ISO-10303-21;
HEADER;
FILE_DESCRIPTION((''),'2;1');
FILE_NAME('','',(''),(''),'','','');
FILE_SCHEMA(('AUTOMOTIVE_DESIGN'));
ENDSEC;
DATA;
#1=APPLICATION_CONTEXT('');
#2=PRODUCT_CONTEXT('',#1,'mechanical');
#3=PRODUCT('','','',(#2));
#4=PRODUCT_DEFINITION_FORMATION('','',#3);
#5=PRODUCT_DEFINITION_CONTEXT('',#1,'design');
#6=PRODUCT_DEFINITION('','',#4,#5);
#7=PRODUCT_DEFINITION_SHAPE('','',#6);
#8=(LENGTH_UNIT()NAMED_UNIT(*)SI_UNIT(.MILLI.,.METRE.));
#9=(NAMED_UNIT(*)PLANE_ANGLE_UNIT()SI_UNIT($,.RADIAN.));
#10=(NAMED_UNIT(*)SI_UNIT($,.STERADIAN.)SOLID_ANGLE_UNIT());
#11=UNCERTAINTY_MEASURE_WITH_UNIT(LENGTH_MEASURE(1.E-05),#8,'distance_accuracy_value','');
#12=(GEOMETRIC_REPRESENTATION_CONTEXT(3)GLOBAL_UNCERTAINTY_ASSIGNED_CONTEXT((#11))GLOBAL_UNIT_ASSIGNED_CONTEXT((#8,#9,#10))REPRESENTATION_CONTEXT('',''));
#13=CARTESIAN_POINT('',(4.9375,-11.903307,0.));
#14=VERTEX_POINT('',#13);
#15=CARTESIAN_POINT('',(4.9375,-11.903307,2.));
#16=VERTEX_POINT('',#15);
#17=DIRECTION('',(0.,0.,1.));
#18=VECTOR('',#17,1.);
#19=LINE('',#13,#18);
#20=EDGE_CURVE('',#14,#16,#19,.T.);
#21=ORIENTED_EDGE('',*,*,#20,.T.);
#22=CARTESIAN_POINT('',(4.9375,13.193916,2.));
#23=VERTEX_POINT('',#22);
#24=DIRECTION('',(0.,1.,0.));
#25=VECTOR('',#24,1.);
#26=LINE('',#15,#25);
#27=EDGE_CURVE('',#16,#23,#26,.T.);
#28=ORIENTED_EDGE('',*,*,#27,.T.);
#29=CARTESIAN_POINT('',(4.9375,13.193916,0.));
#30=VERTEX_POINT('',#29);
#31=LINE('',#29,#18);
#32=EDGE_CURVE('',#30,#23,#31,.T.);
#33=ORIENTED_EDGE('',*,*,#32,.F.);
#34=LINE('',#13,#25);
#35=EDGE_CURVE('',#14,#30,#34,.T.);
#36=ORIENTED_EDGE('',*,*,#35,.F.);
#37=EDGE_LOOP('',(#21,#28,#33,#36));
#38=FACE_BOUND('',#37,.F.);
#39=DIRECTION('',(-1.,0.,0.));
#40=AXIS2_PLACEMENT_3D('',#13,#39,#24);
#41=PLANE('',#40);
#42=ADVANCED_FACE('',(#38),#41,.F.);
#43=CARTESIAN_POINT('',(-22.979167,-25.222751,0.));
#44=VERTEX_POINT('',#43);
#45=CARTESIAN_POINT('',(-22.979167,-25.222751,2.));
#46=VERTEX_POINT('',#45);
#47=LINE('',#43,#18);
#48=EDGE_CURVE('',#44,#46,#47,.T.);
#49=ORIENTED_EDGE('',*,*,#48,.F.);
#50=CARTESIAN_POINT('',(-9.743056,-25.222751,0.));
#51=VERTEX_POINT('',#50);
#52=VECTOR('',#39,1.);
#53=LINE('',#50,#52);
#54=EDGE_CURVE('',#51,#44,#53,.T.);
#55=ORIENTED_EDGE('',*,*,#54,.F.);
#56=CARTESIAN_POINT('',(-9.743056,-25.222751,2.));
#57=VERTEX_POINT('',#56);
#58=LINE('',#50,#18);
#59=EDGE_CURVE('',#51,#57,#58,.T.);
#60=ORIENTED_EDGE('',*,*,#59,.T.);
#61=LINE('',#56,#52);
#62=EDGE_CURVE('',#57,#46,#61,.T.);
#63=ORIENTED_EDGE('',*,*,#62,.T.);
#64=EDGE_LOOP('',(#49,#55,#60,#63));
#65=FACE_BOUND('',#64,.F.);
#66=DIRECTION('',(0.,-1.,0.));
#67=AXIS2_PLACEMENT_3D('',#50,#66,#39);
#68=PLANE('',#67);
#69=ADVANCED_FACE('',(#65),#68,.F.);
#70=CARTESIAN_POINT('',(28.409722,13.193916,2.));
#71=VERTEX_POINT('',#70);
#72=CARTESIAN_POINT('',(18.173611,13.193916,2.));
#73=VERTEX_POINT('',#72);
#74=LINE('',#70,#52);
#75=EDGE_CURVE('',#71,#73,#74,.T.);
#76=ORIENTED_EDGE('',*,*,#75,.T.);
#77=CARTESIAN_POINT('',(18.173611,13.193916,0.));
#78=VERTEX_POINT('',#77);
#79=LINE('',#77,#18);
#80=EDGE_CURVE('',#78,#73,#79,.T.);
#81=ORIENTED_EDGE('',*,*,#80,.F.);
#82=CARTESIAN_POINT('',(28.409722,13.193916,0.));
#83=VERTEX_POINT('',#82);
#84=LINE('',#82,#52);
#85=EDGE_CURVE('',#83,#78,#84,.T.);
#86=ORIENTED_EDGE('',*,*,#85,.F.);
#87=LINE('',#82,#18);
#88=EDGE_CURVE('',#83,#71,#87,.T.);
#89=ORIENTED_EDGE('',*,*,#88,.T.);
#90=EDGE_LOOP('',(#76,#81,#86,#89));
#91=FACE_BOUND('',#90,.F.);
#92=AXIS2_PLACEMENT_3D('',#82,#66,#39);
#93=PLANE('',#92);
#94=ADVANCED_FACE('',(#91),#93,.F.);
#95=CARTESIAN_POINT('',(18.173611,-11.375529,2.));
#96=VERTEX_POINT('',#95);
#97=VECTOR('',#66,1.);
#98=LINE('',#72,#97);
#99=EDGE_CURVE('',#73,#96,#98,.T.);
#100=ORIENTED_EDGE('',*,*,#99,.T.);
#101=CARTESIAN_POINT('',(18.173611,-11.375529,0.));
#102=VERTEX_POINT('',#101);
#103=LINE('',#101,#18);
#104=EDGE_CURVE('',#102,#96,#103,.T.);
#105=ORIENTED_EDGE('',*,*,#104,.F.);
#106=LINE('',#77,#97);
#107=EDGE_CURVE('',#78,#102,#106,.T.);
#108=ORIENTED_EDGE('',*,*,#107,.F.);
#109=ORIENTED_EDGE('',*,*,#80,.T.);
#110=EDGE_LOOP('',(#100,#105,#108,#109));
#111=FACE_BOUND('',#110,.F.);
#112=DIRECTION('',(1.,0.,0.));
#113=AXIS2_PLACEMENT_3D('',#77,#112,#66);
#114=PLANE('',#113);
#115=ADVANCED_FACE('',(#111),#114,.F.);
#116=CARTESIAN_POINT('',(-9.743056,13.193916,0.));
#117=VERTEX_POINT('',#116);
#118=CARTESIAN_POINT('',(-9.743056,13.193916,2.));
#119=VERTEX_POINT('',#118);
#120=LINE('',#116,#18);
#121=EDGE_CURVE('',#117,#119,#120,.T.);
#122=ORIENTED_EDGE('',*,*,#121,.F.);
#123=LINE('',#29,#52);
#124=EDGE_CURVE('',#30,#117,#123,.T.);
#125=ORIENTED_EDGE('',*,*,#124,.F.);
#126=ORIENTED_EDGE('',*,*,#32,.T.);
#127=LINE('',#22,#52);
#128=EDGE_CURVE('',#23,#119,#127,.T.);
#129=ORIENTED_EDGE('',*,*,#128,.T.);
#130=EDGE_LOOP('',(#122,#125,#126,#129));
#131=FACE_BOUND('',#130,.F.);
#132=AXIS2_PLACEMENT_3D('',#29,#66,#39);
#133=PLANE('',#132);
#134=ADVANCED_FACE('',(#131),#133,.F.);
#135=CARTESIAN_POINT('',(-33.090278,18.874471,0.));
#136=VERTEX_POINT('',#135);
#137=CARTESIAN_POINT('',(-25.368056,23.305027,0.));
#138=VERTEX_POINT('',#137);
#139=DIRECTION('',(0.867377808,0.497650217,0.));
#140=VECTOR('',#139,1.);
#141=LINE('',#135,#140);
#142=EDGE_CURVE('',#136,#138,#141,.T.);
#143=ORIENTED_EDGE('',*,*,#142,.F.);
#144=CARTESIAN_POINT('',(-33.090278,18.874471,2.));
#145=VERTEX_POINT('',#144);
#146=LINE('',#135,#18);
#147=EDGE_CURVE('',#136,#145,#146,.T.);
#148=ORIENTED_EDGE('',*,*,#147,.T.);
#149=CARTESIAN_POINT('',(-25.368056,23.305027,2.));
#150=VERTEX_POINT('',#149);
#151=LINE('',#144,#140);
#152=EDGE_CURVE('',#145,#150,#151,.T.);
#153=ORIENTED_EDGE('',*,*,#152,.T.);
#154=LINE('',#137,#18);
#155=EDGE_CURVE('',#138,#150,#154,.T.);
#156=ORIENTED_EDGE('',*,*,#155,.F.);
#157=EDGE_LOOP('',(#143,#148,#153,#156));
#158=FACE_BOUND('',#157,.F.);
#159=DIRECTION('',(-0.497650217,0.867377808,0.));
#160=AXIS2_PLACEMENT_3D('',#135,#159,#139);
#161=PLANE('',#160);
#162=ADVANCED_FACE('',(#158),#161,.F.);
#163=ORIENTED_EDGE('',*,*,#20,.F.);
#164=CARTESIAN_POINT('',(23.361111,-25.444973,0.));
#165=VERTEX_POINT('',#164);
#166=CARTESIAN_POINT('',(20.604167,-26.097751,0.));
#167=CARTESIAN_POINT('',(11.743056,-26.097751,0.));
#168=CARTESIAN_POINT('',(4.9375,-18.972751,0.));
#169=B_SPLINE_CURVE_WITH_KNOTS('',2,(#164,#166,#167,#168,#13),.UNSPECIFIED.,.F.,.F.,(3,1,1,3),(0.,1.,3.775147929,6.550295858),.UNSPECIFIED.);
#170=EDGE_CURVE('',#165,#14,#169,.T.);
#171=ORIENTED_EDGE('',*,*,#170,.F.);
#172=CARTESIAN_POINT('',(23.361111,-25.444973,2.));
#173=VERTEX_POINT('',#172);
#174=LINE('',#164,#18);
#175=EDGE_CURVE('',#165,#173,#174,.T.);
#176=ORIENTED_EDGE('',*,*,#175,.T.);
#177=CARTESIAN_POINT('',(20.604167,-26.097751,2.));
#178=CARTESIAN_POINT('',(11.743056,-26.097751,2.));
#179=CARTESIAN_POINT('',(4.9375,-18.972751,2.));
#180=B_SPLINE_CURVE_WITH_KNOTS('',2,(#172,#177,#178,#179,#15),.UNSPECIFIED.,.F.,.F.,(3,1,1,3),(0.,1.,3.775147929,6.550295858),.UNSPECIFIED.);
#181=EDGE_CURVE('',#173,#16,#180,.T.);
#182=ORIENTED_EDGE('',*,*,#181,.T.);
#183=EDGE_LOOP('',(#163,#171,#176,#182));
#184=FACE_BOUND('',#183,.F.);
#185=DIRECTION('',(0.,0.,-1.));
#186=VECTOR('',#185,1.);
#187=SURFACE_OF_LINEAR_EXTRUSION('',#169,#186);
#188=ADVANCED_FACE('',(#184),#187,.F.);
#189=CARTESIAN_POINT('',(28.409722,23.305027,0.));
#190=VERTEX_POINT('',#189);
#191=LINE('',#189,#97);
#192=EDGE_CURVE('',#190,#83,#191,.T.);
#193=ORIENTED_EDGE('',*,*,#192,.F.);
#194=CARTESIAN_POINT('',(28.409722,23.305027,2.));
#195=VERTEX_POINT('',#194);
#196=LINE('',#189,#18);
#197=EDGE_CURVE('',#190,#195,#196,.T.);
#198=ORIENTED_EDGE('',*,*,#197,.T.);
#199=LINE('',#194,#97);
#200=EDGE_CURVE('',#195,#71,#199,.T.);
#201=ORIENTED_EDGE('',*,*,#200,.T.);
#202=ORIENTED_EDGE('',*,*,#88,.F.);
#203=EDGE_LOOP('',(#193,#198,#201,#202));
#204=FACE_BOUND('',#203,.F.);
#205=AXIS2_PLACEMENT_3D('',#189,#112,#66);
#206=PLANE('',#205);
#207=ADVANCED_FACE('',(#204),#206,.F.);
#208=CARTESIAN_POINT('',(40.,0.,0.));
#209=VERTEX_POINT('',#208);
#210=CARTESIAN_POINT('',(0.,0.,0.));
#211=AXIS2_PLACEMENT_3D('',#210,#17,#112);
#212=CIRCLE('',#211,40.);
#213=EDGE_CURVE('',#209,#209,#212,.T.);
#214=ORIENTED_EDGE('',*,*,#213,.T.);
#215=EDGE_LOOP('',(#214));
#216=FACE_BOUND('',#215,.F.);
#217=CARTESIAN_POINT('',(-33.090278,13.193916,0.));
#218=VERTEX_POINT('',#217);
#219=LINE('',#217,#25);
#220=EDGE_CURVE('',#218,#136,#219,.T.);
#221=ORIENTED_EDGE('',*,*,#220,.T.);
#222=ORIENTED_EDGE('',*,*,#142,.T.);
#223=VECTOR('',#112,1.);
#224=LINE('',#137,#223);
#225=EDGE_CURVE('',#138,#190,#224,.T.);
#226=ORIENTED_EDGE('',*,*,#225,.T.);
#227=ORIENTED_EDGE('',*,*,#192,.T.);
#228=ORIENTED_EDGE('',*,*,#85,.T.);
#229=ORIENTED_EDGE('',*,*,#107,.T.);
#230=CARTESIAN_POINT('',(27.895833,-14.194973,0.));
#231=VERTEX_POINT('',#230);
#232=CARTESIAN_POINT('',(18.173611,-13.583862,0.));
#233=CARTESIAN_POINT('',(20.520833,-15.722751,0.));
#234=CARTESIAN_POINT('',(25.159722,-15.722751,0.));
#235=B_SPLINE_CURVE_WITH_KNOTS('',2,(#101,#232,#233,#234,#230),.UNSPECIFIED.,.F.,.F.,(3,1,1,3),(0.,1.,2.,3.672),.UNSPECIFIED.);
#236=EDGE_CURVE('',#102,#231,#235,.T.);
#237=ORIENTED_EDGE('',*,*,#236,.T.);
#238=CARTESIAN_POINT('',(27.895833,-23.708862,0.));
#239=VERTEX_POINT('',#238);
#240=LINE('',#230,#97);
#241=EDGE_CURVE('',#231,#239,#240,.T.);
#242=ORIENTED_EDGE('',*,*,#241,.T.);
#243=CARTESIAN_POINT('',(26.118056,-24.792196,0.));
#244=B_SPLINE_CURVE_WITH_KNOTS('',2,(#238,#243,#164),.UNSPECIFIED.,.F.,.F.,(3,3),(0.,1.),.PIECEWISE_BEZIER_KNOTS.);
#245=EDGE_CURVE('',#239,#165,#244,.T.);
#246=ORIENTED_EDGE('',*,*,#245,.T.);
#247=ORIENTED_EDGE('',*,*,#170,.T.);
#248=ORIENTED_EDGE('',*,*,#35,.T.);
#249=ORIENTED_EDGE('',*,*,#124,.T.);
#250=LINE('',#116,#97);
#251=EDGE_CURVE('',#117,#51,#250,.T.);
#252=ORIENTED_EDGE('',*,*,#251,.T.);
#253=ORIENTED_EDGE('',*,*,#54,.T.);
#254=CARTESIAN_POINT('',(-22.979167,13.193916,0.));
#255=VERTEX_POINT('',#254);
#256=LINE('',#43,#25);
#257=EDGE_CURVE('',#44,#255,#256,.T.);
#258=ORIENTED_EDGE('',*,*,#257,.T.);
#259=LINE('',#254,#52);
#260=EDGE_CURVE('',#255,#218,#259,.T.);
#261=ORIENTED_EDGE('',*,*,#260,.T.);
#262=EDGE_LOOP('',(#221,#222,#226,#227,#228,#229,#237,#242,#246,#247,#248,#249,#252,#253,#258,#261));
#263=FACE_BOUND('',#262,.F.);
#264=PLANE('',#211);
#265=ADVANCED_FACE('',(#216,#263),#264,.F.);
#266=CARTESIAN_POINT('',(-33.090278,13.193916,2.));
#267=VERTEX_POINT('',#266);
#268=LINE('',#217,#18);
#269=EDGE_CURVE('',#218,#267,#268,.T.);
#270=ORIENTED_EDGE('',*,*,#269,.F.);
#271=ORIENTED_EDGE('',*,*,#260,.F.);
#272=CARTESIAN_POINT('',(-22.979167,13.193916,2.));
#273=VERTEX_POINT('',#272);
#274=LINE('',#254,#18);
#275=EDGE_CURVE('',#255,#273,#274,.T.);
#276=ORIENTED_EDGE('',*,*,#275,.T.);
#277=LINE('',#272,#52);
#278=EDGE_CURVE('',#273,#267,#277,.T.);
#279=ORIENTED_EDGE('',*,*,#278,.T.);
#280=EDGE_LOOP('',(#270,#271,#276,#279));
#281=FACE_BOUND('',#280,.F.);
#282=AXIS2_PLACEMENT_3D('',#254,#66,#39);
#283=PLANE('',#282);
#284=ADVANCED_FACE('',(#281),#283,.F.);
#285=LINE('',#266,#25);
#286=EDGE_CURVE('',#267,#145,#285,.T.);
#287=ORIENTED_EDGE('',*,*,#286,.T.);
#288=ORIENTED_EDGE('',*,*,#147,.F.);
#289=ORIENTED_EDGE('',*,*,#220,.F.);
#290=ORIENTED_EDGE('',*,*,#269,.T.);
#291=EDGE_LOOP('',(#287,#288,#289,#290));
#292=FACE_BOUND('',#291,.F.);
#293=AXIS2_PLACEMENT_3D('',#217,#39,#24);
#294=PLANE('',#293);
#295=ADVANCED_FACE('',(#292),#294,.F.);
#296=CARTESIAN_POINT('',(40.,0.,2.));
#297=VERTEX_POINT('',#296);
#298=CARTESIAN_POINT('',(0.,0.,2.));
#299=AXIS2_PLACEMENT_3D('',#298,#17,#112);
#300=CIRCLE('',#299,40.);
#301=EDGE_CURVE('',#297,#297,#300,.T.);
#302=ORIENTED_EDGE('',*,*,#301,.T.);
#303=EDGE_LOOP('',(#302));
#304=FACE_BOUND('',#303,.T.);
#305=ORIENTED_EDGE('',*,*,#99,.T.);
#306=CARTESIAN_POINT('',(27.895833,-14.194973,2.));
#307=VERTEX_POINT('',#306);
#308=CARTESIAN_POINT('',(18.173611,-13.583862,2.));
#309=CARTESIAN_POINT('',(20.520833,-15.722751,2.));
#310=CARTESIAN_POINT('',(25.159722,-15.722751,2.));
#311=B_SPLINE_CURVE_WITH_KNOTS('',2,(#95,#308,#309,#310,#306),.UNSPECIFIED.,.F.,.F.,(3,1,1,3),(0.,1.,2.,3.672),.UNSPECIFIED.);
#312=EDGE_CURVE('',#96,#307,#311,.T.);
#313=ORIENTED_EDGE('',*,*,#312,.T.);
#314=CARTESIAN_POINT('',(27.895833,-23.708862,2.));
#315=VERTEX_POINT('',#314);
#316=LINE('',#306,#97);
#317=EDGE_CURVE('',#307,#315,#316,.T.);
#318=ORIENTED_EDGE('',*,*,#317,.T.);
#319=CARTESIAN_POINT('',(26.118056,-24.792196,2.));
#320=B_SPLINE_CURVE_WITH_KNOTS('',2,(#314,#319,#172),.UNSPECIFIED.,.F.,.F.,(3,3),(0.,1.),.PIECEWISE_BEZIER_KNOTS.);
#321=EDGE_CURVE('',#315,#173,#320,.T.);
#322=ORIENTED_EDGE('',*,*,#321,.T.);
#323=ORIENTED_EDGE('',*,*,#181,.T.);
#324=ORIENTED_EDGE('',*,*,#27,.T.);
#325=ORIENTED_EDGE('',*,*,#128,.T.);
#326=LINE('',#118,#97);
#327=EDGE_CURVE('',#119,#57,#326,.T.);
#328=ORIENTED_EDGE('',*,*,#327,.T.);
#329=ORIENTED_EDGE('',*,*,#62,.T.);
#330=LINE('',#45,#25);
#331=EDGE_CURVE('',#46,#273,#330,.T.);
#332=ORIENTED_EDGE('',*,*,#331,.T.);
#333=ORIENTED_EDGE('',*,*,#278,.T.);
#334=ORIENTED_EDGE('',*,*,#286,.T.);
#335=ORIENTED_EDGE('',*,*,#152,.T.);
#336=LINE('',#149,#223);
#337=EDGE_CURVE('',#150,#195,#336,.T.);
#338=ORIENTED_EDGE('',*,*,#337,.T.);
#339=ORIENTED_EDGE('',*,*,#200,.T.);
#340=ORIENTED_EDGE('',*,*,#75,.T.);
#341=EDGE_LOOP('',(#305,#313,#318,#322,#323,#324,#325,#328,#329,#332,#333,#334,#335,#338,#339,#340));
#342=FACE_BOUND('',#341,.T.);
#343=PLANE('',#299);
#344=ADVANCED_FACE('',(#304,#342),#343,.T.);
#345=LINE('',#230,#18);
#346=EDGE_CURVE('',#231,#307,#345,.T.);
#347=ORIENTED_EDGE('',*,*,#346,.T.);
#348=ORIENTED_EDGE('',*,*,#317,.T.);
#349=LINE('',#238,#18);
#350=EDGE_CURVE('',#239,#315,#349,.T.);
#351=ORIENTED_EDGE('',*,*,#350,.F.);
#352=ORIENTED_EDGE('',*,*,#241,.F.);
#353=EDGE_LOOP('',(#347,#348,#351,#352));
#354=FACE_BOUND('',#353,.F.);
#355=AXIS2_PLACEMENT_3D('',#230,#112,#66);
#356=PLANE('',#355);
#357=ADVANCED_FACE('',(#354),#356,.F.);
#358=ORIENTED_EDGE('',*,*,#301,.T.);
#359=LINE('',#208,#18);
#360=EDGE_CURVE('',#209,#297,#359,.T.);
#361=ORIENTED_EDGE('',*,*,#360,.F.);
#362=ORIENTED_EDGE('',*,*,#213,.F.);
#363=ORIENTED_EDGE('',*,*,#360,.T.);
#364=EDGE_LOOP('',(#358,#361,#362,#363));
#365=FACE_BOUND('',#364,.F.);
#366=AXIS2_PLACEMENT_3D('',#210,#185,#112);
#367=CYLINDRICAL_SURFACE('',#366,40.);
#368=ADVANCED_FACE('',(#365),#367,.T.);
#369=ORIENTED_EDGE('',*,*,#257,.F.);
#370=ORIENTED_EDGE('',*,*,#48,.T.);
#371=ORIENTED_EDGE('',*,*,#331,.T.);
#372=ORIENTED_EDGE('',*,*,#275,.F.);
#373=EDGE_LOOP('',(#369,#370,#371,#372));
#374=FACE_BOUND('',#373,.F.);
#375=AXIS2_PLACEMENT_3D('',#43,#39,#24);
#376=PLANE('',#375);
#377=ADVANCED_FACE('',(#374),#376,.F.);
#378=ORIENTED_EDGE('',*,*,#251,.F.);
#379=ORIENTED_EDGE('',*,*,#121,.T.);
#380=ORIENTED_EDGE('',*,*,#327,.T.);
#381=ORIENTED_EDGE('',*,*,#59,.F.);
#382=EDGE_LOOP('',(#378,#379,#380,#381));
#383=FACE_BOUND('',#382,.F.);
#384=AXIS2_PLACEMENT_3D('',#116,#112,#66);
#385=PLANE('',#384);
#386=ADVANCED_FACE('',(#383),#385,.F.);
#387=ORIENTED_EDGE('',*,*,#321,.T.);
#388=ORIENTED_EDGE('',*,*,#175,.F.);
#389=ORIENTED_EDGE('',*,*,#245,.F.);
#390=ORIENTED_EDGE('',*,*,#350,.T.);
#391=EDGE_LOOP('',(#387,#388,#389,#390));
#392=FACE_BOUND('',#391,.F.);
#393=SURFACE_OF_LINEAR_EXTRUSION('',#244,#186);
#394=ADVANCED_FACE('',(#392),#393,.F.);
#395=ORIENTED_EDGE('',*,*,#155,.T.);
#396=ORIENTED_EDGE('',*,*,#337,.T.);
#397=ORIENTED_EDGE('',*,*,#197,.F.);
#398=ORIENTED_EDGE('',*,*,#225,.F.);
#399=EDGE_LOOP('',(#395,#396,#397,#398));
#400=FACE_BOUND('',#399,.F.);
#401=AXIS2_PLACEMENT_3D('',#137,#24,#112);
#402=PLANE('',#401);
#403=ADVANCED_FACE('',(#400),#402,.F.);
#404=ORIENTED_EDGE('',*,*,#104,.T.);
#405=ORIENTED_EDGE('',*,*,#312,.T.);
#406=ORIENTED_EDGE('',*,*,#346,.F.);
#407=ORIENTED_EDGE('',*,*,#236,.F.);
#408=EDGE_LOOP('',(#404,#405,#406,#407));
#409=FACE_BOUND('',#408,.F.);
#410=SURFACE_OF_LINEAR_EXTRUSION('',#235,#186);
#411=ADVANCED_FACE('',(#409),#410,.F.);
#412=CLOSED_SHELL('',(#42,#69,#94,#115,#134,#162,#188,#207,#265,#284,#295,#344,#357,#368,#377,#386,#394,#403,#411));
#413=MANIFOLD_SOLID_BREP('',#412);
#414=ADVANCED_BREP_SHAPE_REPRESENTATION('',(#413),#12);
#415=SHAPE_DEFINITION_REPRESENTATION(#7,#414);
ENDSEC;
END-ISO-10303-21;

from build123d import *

# Parameters (mm, degrees)
F0_R     = 40
F1_DEPTH = 2


with BuildPart() as f1:
    # F0 (on Top) → F1 (new body)
    with BuildSketch(Plane.XY):
        Circle(F0_R)
        with BuildLine():
            add(Edge.make_bspline(
                [(19.3472222222, -14.6533066589), (20.5208333333, -15.7227511033), (22.2569444444, -15.7227511033)],
                knots=[0, 0, 0, 1, 1, 1], degree=2))
            add(Edge.make_bspline(
                [(22.2569444444, -15.7227511033), (25.1597222222, -15.7227511033), (27.8958333333, -14.1949733256)],
                knots=[0, 0, 0, 1, 1, 1], degree=2))
            Line((27.8958333333, -14.1949733256), (27.8958333333, -23.7088622145))
            add(Edge.make_bspline(
                [(27.8958333333, -23.7088622145), (26.1180555556, -24.7921955478), (23.3611111111, -25.4449733256)],
                knots=[0, 0, 0, 1, 1, 1], degree=2))
            add(Edge.make_bspline(
                [(23.3611111111, -25.4449733256), (20.6041666667, -26.0977511033), (18.2569444444, -26.0977511033)],
                knots=[0, 0, 0, 1, 1, 1], degree=2))
            add(Edge.make_bspline(
                [(18.2569444444, -26.0977511033), (11.7430555556, -26.0977511033), (8.3402777778, -22.5352511033)],
                knots=[0, 0, 0, 1, 1, 1], degree=2))
            add(Edge.make_bspline(
                [(8.3402777778, -22.5352511033), (4.9375, -18.9727511033), (4.9375, -11.9033066589)],
                knots=[0, 0, 0, 1, 1, 1], degree=2))
            Line((4.9375, -11.9033066589), (4.9375, 13.1939155633))
            Line((4.9375, 13.1939155633), (-9.7430555556, 13.1939155633))
            Line((-9.7430555556, 13.1939155633), (-9.7430555556, -25.2227511033))
            Line((-9.7430555556, -25.2227511033), (-22.9791666667, -25.2227511033))
            Line((-22.9791666667, -25.2227511033), (-22.9791666667, 13.1939155633))
            Line((-22.9791666667, 13.1939155633), (-33.0902777778, 13.1939155633))
            Line((-33.0902777778, 13.1939155633), (-33.0902777778, 18.8744711189))
            Line((-33.0902777778, 18.8744711189), (-25.3680555556, 23.3050266744))
            Line((-25.3680555556, 23.3050266744), (28.4097222222, 23.3050266744))
            Line((28.4097222222, 23.3050266744), (28.4097222222, 13.1939155633))
            Line((28.4097222222, 13.1939155633), (18.1736111111, 13.1939155633))
            Line((18.1736111111, 13.1939155633), (18.1736111111, -11.3755288811))
            add(Edge.make_bspline(
                [(18.1736111111, -11.3755288811), (18.1736111111, -13.5838622145), (19.3472222222, -14.6533066589)],
                knots=[0, 0, 0, 1, 1, 1], degree=2))
        make_face(mode=Mode.SUBTRACT)
    extrude(amount=F1_DEPTH)


solid = f1.part
